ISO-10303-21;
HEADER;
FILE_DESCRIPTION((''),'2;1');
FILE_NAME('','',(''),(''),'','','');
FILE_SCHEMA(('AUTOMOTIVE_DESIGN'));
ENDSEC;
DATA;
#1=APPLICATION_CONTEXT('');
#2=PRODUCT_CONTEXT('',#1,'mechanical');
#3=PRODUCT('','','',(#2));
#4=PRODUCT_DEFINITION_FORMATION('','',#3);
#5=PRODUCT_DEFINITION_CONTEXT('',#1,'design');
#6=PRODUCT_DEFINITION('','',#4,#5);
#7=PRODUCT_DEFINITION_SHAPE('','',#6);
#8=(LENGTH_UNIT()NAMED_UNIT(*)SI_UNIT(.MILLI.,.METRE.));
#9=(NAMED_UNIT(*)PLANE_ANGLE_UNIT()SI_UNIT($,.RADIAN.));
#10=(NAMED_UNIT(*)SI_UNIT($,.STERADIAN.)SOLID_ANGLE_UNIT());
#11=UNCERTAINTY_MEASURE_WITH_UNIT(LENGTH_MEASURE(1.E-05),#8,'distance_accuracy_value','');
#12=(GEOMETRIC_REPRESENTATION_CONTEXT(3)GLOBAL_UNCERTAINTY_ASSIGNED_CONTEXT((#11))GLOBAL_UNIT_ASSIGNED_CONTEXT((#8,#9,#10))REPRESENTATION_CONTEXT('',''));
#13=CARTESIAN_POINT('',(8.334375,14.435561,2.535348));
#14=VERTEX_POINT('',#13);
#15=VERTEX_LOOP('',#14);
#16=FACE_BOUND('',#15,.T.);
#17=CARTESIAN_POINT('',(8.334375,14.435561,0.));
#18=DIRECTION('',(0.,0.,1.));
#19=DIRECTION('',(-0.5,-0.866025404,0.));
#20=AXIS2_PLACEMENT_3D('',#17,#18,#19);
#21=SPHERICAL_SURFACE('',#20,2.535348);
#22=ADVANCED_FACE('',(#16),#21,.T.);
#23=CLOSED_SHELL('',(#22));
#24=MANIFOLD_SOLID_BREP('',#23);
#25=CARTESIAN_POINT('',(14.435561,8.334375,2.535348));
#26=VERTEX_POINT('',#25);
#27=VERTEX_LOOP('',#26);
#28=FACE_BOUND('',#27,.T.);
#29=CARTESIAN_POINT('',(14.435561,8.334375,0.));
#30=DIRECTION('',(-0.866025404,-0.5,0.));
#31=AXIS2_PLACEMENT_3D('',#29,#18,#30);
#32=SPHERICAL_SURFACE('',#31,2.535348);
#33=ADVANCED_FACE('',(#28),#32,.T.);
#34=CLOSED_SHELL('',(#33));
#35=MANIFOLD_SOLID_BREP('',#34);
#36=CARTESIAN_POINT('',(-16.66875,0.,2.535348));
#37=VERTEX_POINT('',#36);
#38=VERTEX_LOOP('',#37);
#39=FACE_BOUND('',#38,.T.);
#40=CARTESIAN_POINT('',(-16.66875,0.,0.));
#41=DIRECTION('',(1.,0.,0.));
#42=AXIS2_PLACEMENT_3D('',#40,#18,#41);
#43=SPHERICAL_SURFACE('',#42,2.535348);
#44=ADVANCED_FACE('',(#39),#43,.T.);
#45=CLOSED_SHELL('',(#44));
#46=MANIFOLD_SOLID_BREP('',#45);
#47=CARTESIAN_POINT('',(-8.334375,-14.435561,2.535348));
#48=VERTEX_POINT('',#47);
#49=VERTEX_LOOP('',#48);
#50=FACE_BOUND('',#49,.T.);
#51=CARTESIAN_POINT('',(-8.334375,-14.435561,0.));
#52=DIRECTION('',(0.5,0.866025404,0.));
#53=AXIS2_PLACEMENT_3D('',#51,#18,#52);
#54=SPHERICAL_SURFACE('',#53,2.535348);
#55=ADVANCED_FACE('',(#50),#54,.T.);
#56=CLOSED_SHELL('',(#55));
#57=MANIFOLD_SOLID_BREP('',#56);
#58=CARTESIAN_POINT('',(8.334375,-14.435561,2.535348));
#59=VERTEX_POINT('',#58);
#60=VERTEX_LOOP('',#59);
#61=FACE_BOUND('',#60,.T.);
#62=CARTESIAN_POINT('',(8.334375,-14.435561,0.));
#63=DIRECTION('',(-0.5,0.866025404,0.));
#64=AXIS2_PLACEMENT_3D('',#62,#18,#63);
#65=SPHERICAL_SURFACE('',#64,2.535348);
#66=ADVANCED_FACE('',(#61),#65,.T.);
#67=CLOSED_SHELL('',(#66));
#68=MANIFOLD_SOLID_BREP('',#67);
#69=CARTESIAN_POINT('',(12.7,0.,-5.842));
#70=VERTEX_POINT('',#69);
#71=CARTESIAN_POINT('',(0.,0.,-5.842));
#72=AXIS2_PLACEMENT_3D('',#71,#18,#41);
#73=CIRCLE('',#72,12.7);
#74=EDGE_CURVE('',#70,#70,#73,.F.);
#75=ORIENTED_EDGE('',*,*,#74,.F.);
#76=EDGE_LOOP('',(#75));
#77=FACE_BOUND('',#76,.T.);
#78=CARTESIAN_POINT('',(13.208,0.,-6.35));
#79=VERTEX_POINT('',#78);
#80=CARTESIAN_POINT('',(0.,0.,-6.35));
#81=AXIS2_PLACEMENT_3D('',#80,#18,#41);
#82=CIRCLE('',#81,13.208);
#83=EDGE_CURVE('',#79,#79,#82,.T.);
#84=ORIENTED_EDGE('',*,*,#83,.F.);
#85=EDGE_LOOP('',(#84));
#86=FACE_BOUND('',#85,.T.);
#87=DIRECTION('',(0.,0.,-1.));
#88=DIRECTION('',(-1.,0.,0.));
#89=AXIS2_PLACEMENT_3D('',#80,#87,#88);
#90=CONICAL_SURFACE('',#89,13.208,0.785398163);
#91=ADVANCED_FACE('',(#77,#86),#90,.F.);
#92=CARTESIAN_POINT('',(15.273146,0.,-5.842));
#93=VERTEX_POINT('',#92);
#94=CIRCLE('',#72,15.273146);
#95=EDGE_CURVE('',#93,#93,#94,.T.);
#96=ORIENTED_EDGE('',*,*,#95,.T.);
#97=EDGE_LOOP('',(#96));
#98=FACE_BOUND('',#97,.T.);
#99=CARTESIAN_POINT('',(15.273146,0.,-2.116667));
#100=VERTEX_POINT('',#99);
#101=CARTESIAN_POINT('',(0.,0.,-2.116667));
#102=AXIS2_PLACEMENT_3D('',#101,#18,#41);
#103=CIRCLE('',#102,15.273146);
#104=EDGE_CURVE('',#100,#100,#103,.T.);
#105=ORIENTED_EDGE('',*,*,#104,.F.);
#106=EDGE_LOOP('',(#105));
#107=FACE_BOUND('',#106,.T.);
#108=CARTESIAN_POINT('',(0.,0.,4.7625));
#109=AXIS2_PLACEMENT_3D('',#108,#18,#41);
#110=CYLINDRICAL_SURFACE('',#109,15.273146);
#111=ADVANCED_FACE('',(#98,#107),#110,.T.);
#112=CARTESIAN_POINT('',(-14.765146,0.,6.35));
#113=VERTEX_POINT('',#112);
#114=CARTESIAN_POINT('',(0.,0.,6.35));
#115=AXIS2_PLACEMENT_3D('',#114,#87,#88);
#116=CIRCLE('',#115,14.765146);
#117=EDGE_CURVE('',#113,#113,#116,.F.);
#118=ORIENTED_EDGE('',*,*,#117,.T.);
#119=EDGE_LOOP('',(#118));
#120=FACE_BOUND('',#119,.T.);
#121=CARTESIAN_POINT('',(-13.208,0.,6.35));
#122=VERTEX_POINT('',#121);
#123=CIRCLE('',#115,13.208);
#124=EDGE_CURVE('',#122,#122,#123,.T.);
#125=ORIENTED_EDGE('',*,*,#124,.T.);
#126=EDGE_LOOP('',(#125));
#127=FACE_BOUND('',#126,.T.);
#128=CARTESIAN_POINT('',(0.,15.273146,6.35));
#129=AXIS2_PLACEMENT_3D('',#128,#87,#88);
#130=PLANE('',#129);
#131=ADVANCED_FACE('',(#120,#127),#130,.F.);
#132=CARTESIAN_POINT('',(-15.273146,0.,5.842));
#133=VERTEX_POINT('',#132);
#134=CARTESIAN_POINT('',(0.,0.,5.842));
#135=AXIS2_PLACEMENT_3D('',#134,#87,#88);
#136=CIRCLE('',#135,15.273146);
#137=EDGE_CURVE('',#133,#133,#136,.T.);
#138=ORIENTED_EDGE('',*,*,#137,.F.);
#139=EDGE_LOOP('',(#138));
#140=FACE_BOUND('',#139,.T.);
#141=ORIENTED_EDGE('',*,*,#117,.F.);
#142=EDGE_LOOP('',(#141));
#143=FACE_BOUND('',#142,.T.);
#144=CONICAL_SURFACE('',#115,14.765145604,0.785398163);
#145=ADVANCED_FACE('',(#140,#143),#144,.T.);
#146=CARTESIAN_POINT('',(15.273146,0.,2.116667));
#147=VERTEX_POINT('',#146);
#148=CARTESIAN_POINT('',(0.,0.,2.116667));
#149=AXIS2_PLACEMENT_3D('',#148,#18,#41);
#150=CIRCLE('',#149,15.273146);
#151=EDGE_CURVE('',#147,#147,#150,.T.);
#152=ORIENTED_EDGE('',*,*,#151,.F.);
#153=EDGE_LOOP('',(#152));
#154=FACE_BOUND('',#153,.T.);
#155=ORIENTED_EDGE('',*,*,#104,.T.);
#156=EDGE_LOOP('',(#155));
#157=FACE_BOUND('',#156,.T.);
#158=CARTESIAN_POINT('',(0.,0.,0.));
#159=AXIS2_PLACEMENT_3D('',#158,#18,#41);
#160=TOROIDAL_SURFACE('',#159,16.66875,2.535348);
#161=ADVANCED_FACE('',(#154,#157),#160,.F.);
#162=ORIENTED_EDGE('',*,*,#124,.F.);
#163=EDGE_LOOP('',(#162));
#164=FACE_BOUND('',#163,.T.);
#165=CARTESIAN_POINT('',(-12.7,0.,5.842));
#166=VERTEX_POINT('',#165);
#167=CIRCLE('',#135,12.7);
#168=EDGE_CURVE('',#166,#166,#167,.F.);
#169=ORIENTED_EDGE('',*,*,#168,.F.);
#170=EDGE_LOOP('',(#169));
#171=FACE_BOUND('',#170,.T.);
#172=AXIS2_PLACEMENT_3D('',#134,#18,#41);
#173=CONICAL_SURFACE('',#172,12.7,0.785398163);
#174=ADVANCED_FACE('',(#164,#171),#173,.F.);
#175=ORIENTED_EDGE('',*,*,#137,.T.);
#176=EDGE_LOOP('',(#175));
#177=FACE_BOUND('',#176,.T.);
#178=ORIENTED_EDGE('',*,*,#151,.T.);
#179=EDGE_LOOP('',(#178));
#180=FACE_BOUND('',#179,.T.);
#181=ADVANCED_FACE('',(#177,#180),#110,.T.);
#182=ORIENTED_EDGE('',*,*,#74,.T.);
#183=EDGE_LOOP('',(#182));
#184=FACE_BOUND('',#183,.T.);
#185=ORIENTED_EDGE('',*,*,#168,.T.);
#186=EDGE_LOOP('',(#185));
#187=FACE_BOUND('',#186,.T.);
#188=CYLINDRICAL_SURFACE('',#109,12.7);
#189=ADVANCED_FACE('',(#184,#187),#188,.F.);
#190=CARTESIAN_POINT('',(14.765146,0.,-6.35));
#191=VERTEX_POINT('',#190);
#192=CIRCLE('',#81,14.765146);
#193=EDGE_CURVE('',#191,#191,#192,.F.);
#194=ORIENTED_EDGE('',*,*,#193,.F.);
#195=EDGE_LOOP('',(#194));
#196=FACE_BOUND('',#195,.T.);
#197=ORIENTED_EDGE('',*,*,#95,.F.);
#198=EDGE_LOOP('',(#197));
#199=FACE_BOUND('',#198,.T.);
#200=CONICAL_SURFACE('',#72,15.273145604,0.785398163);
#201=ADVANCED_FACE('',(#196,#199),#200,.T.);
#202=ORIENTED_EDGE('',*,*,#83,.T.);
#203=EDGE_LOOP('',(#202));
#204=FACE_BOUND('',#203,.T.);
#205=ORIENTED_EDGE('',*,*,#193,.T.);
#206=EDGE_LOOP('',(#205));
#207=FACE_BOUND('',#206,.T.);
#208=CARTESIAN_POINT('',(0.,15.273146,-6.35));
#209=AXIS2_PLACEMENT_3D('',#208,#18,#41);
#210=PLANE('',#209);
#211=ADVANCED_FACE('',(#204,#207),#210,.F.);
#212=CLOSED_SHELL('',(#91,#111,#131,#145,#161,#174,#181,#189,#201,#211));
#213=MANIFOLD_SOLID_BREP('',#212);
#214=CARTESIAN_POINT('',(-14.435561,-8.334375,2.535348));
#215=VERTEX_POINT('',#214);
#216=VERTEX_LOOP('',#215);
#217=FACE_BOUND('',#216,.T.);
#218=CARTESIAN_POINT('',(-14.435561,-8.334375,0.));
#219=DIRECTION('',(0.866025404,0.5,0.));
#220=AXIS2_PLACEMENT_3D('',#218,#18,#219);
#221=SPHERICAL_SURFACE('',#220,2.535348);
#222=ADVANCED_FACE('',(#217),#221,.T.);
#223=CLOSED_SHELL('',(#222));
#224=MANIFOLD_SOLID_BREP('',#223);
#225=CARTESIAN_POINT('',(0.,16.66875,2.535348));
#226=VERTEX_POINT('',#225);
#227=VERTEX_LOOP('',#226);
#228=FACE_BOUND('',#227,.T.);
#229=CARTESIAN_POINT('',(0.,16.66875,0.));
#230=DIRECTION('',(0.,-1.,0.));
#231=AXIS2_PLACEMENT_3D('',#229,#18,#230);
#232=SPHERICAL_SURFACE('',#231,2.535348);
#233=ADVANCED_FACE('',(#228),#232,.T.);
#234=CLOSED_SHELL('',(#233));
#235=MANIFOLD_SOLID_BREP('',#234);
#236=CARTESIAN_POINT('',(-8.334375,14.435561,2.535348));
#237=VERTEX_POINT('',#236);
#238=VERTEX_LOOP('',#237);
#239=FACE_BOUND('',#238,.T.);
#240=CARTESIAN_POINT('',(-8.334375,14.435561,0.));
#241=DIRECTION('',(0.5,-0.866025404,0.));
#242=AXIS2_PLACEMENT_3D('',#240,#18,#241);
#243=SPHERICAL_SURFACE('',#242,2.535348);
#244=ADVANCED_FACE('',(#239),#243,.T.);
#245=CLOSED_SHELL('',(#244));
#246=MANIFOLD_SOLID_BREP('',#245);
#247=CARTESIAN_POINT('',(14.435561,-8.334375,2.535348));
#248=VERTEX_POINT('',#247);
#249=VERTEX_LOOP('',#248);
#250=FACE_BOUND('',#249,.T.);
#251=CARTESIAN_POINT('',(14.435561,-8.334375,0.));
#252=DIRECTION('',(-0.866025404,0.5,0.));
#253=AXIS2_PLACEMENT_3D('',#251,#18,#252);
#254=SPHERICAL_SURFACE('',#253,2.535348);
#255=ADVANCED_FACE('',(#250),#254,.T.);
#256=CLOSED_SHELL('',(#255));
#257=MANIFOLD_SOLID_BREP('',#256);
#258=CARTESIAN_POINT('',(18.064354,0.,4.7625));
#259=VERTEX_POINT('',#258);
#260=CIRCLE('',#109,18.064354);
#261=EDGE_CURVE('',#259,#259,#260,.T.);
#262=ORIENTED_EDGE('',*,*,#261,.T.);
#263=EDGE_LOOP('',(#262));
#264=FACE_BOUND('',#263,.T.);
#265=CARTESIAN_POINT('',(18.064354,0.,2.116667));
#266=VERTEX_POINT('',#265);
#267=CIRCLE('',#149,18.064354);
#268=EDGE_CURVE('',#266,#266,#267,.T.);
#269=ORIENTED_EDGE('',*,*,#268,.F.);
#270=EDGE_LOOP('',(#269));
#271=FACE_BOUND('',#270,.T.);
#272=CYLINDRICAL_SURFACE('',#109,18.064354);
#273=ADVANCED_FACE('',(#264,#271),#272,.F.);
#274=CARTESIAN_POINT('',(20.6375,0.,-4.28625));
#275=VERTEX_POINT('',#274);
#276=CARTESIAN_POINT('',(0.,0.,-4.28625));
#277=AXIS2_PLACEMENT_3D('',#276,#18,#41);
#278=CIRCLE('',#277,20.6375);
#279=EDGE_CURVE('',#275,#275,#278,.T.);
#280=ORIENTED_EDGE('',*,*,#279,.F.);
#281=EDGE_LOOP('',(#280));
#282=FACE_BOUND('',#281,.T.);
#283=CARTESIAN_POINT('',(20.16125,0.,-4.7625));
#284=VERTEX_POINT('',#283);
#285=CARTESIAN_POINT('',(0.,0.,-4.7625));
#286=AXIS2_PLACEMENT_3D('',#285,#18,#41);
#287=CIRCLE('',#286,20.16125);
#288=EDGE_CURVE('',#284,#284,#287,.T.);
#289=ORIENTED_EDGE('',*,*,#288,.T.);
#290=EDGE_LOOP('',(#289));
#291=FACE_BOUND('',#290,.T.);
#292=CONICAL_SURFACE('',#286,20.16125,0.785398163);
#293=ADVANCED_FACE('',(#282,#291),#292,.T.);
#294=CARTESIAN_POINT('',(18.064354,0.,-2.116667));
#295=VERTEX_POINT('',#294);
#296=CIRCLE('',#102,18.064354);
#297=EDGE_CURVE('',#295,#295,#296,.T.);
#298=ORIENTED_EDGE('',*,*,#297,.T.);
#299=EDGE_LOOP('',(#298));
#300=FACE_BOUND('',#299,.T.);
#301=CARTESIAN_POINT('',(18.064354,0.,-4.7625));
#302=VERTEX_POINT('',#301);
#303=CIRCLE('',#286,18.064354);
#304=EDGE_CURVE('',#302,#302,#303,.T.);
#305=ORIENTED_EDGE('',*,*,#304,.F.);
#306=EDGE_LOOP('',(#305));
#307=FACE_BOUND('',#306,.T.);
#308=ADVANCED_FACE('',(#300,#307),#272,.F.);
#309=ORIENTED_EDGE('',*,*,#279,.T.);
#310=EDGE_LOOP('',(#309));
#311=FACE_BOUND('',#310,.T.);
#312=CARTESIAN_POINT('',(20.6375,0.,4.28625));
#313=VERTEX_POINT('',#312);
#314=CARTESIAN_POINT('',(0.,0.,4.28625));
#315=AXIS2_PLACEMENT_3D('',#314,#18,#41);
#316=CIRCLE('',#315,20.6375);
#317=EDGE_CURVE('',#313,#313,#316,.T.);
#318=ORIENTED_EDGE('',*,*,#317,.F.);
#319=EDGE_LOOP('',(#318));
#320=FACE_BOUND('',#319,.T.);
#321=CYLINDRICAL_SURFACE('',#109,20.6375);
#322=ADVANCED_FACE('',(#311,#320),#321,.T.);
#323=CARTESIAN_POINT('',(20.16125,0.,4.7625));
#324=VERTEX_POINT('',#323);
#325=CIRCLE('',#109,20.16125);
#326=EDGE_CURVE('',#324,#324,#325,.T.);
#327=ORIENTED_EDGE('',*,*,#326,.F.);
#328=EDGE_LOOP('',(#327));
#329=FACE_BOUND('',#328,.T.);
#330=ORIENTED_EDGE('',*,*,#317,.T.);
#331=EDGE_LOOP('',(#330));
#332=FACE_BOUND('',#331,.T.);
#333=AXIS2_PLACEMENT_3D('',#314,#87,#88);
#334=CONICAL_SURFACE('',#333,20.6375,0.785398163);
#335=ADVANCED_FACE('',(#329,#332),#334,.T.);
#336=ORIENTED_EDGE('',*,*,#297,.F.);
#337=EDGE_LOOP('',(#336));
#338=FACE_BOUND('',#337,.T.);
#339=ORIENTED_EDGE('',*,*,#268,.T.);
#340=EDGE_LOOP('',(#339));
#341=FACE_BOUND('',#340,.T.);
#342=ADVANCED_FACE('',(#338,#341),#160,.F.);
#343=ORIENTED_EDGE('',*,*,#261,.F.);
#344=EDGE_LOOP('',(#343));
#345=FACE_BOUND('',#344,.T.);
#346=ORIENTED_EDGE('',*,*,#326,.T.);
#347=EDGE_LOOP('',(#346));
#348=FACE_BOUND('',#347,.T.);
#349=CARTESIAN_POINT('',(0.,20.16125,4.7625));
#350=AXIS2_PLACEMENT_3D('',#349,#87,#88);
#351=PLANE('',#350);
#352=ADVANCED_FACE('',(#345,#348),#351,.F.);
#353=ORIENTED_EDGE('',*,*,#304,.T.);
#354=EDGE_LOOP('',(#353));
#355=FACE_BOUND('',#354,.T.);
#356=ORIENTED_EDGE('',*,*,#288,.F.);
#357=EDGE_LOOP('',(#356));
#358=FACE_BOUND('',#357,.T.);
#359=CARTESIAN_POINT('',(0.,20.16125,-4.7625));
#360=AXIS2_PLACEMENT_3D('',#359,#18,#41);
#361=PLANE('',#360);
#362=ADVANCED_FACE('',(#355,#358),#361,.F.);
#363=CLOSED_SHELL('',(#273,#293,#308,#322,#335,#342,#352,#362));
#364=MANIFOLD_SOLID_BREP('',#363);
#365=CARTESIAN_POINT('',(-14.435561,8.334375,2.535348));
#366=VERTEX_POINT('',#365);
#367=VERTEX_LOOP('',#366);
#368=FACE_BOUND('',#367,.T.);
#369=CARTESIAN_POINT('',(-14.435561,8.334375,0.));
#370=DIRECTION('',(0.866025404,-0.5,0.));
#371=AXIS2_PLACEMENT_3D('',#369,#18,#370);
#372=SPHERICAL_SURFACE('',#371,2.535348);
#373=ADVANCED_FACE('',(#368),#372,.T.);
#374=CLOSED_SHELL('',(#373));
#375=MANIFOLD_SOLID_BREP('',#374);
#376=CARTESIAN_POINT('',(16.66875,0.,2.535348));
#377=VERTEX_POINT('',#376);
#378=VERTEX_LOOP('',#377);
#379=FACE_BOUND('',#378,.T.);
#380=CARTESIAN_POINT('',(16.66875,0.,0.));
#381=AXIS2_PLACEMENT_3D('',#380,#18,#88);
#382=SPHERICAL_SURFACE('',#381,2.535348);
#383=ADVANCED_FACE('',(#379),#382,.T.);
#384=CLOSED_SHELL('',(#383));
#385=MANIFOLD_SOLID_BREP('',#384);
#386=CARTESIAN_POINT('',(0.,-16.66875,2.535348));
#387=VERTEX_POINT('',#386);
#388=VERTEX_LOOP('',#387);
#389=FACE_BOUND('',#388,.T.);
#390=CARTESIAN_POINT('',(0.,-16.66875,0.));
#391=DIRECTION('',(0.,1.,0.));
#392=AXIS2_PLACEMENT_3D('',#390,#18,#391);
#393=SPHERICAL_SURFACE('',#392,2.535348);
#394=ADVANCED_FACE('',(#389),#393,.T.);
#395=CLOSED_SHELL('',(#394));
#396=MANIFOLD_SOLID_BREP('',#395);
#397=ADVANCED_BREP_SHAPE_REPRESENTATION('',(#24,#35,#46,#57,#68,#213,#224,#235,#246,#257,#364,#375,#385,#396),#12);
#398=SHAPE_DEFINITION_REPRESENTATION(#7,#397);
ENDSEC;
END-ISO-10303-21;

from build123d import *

# Parameters (mm, degrees)
CIRPATTERN1_COUNT = 12
CHAMFER1_SIZE     = 0.508


with BuildPart() as part:
    # Sketch1 → Revolve1 (revolve)
    with BuildSketch(Plane(origin=(0, 0, 0), x_dir=(0, 0, -1), z_dir=(1, 0, 0))):
        with BuildLine():
            Line((4.28625, 20.6375), (-4.28625, 20.6375))
            Line((-4.28625, 20.6375), (-4.7625, 20.16125))
            Line((-4.7625, 20.16125), (-4.7625, 18.064354396))
            Line((-4.7625, 18.064354396), (-2.116666667, 18.064354396))
            ThreePointArc((-2.116666667, 18.064354396), (0, 19.204097985), (2.116666667, 18.064354396))
            Line((2.116666667, 18.064354396), (4.7625, 18.064354396))
            Line((4.7625, 18.064354396), (4.7625, 20.16125))
            Line((4.7625, 20.16125), (4.28625, 20.6375))
        make_face()
    revolve(axis=Axis((0, 0, 4.7625), (0, 0, -1)))


with BuildPart() as body_2:
    # Sketch3 → Revolve3 (revolve)
    with BuildSketch(Plane(origin=(0, 0, 0), x_dir=(0, 0, -1), z_dir=(1, 0, 0))):
        with BuildLine():
            Line((-6.35, 15.273145604), (-2.116666667, 15.273145604))
            ThreePointArc((-2.116666667, 15.273145604), (0, 14.133402015), (2.116666667, 15.273145604))
            Line((2.116666667, 15.273145604), (6.35, 15.273145604))
            Line((6.35, 15.273145604), (6.35, 12.7))
            Line((6.35, 12.7), (-6.35, 12.7))
            Line((-6.35, 12.7), (-6.35, 15.273145604))
        make_face()
    revolve(axis=Axis((0, 0, 4.7625), (0, 0, -1)))

    # Chamfer1
    chamfer1_edges = [body_2.edges().sort_by_distance(p)[0] for p in [
        (0, -12.7, 6.35),
        (0, -15.273145604, 6.35),
        (0, -15.273145604, -6.35),
        (0, -12.7, -6.35),
    ]]
    chamfer(chamfer1_edges, length=CHAMFER1_SIZE)


with BuildPart() as body_3:
    # Sketch4 → Revolve4 (revolve)
    with BuildSketch(Plane(origin=(0, 0, 0), x_dir=(0, 0, -1), z_dir=(1, 0, 0))):
        with BuildLine():
            Line((-2.535347985, 16.66875), (2.535347985, 16.66875))
            ThreePointArc((2.535347985, 16.66875), (0, 19.204097985), (-2.535347985, 16.66875))
        make_face()
    revolve(axis=Axis((0, 16.66875, 2.535347985), (0, 0, -1)))


with BuildPart() as cirpattern1_1:
    # CirPattern1: pattern copy
    add(body_3.part.rotate(Axis((0, 0, -4.7625), (0, 0, 1)), 1 * 360 / CIRPATTERN1_COUNT))


with BuildPart() as cirpattern1_2:
    # CirPattern1: pattern copy
    add(body_3.part.rotate(Axis((0, 0, -4.7625), (0, 0, 1)), 2 * 360 / CIRPATTERN1_COUNT))


with BuildPart() as cirpattern1_3:
    # CirPattern1: pattern copy
    add(body_3.part.rotate(Axis((0, 0, -4.7625), (0, 0, 1)), 3 * 360 / CIRPATTERN1_COUNT))


with BuildPart() as cirpattern1_4:
    # CirPattern1: pattern copy
    add(body_3.part.rotate(Axis((0, 0, -4.7625), (0, 0, 1)), 4 * 360 / CIRPATTERN1_COUNT))


with BuildPart() as cirpattern1_5:
    # CirPattern1: pattern copy
    add(body_3.part.rotate(Axis((0, 0, -4.7625), (0, 0, 1)), 5 * 360 / CIRPATTERN1_COUNT))


with BuildPart() as cirpattern1_6:
    # CirPattern1: pattern copy
    add(body_3.part.rotate(Axis((0, 0, -4.7625), (0, 0, 1)), 6 * 360 / CIRPATTERN1_COUNT))


with BuildPart() as cirpattern1_7:
    # CirPattern1: pattern copy
    add(body_3.part.rotate(Axis((0, 0, -4.7625), (0, 0, 1)), 7 * 360 / CIRPATTERN1_COUNT))


with BuildPart() as cirpattern1_8:
    # CirPattern1: pattern copy
    add(body_3.part.rotate(Axis((0, 0, -4.7625), (0, 0, 1)), 8 * 360 / CIRPATTERN1_COUNT))


with BuildPart() as cirpattern1_9:
    # CirPattern1: pattern copy
    add(body_3.part.rotate(Axis((0, 0, -4.7625), (0, 0, 1)), 9 * 360 / CIRPATTERN1_COUNT))


with BuildPart() as cirpattern1_10:
    # CirPattern1: pattern copy
    add(body_3.part.rotate(Axis((0, 0, -4.7625), (0, 0, 1)), 10 * 360 / CIRPATTERN1_COUNT))


with BuildPart() as cirpattern1_11:
    # CirPattern1: pattern copy
    add(body_3.part.rotate(Axis((0, 0, -4.7625), (0, 0, 1)), 11 * 360 / CIRPATTERN1_COUNT))


solid = Compound([part.part, body_2.part, body_3.part, cirpattern1_1.part, cirpattern1_2.part, cirpattern1_3.part, cirpattern1_4.part, cirpattern1_5.part, cirpattern1_6.part, cirpattern1_7.part, cirpattern1_8.part, cirpattern1_9.part, cirpattern1_10.part, cirpattern1_11.part])
